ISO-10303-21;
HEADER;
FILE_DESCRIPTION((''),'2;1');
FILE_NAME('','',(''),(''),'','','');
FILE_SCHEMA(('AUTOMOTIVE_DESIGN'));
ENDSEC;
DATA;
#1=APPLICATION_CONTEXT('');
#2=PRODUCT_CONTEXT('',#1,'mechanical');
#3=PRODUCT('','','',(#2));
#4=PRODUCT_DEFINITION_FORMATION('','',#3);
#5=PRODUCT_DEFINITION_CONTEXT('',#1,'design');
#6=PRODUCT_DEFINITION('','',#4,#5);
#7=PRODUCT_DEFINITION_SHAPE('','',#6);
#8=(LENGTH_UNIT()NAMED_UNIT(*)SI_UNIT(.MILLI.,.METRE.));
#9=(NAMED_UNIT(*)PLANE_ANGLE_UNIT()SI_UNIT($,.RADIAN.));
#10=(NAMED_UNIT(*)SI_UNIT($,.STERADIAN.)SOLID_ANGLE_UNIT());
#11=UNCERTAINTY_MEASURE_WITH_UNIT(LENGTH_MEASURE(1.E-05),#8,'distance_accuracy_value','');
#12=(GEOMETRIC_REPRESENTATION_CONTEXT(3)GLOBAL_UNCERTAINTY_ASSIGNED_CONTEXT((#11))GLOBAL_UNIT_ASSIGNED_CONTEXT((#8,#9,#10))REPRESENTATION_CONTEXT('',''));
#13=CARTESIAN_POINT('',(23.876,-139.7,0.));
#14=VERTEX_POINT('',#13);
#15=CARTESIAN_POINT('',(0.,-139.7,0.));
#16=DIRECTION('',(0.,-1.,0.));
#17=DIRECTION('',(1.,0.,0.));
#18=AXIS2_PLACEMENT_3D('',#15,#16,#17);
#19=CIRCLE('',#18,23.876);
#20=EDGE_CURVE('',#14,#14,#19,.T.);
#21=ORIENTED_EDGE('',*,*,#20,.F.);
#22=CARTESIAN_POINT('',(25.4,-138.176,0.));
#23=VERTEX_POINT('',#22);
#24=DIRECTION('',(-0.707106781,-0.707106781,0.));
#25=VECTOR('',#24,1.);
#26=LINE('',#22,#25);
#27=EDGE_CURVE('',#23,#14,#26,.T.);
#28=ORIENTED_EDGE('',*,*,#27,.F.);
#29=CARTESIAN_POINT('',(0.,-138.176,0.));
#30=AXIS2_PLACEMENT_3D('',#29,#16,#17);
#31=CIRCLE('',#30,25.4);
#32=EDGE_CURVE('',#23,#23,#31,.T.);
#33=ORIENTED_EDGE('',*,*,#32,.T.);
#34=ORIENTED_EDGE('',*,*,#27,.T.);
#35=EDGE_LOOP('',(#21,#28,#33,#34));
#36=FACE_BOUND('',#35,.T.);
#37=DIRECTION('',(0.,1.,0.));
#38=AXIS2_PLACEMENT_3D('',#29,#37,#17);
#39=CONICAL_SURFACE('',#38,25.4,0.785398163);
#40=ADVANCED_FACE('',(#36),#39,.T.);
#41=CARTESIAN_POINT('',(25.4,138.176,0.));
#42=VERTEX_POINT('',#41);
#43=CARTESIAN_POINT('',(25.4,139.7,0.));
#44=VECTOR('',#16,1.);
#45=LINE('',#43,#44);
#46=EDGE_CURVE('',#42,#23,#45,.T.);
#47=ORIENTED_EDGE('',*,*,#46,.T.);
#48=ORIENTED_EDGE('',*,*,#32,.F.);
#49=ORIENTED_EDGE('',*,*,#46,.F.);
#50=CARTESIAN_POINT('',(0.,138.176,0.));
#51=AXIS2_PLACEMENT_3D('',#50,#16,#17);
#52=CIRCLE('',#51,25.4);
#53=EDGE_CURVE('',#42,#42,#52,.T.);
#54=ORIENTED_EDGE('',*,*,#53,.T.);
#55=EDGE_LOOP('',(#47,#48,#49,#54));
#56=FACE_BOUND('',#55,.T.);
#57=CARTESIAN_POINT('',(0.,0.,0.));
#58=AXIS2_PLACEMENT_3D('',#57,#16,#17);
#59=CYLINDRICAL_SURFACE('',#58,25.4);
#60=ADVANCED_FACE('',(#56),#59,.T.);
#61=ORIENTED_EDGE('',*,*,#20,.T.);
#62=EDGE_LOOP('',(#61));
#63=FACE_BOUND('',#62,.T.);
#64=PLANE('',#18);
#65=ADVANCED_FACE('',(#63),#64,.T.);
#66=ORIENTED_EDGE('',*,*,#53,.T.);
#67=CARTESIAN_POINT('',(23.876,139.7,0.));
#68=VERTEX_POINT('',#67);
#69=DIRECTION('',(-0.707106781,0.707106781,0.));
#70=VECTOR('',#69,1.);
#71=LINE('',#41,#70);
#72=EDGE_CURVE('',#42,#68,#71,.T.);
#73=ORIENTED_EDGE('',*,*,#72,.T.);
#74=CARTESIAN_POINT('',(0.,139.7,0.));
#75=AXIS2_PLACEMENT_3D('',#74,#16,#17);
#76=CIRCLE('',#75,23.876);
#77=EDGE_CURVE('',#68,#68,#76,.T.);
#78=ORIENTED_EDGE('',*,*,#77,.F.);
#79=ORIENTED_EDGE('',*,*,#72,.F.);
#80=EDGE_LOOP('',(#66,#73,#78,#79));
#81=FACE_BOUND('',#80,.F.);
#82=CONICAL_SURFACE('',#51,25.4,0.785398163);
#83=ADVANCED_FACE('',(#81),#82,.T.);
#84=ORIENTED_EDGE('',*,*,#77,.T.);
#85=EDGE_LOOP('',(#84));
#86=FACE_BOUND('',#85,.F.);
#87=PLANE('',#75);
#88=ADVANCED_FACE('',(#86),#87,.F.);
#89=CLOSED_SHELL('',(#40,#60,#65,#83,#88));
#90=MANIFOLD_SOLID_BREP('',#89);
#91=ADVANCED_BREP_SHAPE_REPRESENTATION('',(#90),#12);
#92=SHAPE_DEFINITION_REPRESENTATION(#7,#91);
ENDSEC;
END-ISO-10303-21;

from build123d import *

# Parameters (mm, degrees)
F0_R     = 25.4
F1_DEPTH = 139.7
F2_SIZE  = 1.524


with BuildPart() as f1:
    # F0 (on Front) → F1 (new body, symmetric)
    with BuildSketch(Plane.XZ):
        Circle(F0_R)
    extrude(amount=F1_DEPTH, both=True)

    # F2
    f2_edges = [f1.edges().sort_by_distance(p)[0] for p in [
        (-25.4, 139.7, 0),
        (25.4, 0, 0),
        (-25.4, -139.7, 0),
    ]]
    chamfer(f2_edges, length=F2_SIZE)


solid = f1.part
